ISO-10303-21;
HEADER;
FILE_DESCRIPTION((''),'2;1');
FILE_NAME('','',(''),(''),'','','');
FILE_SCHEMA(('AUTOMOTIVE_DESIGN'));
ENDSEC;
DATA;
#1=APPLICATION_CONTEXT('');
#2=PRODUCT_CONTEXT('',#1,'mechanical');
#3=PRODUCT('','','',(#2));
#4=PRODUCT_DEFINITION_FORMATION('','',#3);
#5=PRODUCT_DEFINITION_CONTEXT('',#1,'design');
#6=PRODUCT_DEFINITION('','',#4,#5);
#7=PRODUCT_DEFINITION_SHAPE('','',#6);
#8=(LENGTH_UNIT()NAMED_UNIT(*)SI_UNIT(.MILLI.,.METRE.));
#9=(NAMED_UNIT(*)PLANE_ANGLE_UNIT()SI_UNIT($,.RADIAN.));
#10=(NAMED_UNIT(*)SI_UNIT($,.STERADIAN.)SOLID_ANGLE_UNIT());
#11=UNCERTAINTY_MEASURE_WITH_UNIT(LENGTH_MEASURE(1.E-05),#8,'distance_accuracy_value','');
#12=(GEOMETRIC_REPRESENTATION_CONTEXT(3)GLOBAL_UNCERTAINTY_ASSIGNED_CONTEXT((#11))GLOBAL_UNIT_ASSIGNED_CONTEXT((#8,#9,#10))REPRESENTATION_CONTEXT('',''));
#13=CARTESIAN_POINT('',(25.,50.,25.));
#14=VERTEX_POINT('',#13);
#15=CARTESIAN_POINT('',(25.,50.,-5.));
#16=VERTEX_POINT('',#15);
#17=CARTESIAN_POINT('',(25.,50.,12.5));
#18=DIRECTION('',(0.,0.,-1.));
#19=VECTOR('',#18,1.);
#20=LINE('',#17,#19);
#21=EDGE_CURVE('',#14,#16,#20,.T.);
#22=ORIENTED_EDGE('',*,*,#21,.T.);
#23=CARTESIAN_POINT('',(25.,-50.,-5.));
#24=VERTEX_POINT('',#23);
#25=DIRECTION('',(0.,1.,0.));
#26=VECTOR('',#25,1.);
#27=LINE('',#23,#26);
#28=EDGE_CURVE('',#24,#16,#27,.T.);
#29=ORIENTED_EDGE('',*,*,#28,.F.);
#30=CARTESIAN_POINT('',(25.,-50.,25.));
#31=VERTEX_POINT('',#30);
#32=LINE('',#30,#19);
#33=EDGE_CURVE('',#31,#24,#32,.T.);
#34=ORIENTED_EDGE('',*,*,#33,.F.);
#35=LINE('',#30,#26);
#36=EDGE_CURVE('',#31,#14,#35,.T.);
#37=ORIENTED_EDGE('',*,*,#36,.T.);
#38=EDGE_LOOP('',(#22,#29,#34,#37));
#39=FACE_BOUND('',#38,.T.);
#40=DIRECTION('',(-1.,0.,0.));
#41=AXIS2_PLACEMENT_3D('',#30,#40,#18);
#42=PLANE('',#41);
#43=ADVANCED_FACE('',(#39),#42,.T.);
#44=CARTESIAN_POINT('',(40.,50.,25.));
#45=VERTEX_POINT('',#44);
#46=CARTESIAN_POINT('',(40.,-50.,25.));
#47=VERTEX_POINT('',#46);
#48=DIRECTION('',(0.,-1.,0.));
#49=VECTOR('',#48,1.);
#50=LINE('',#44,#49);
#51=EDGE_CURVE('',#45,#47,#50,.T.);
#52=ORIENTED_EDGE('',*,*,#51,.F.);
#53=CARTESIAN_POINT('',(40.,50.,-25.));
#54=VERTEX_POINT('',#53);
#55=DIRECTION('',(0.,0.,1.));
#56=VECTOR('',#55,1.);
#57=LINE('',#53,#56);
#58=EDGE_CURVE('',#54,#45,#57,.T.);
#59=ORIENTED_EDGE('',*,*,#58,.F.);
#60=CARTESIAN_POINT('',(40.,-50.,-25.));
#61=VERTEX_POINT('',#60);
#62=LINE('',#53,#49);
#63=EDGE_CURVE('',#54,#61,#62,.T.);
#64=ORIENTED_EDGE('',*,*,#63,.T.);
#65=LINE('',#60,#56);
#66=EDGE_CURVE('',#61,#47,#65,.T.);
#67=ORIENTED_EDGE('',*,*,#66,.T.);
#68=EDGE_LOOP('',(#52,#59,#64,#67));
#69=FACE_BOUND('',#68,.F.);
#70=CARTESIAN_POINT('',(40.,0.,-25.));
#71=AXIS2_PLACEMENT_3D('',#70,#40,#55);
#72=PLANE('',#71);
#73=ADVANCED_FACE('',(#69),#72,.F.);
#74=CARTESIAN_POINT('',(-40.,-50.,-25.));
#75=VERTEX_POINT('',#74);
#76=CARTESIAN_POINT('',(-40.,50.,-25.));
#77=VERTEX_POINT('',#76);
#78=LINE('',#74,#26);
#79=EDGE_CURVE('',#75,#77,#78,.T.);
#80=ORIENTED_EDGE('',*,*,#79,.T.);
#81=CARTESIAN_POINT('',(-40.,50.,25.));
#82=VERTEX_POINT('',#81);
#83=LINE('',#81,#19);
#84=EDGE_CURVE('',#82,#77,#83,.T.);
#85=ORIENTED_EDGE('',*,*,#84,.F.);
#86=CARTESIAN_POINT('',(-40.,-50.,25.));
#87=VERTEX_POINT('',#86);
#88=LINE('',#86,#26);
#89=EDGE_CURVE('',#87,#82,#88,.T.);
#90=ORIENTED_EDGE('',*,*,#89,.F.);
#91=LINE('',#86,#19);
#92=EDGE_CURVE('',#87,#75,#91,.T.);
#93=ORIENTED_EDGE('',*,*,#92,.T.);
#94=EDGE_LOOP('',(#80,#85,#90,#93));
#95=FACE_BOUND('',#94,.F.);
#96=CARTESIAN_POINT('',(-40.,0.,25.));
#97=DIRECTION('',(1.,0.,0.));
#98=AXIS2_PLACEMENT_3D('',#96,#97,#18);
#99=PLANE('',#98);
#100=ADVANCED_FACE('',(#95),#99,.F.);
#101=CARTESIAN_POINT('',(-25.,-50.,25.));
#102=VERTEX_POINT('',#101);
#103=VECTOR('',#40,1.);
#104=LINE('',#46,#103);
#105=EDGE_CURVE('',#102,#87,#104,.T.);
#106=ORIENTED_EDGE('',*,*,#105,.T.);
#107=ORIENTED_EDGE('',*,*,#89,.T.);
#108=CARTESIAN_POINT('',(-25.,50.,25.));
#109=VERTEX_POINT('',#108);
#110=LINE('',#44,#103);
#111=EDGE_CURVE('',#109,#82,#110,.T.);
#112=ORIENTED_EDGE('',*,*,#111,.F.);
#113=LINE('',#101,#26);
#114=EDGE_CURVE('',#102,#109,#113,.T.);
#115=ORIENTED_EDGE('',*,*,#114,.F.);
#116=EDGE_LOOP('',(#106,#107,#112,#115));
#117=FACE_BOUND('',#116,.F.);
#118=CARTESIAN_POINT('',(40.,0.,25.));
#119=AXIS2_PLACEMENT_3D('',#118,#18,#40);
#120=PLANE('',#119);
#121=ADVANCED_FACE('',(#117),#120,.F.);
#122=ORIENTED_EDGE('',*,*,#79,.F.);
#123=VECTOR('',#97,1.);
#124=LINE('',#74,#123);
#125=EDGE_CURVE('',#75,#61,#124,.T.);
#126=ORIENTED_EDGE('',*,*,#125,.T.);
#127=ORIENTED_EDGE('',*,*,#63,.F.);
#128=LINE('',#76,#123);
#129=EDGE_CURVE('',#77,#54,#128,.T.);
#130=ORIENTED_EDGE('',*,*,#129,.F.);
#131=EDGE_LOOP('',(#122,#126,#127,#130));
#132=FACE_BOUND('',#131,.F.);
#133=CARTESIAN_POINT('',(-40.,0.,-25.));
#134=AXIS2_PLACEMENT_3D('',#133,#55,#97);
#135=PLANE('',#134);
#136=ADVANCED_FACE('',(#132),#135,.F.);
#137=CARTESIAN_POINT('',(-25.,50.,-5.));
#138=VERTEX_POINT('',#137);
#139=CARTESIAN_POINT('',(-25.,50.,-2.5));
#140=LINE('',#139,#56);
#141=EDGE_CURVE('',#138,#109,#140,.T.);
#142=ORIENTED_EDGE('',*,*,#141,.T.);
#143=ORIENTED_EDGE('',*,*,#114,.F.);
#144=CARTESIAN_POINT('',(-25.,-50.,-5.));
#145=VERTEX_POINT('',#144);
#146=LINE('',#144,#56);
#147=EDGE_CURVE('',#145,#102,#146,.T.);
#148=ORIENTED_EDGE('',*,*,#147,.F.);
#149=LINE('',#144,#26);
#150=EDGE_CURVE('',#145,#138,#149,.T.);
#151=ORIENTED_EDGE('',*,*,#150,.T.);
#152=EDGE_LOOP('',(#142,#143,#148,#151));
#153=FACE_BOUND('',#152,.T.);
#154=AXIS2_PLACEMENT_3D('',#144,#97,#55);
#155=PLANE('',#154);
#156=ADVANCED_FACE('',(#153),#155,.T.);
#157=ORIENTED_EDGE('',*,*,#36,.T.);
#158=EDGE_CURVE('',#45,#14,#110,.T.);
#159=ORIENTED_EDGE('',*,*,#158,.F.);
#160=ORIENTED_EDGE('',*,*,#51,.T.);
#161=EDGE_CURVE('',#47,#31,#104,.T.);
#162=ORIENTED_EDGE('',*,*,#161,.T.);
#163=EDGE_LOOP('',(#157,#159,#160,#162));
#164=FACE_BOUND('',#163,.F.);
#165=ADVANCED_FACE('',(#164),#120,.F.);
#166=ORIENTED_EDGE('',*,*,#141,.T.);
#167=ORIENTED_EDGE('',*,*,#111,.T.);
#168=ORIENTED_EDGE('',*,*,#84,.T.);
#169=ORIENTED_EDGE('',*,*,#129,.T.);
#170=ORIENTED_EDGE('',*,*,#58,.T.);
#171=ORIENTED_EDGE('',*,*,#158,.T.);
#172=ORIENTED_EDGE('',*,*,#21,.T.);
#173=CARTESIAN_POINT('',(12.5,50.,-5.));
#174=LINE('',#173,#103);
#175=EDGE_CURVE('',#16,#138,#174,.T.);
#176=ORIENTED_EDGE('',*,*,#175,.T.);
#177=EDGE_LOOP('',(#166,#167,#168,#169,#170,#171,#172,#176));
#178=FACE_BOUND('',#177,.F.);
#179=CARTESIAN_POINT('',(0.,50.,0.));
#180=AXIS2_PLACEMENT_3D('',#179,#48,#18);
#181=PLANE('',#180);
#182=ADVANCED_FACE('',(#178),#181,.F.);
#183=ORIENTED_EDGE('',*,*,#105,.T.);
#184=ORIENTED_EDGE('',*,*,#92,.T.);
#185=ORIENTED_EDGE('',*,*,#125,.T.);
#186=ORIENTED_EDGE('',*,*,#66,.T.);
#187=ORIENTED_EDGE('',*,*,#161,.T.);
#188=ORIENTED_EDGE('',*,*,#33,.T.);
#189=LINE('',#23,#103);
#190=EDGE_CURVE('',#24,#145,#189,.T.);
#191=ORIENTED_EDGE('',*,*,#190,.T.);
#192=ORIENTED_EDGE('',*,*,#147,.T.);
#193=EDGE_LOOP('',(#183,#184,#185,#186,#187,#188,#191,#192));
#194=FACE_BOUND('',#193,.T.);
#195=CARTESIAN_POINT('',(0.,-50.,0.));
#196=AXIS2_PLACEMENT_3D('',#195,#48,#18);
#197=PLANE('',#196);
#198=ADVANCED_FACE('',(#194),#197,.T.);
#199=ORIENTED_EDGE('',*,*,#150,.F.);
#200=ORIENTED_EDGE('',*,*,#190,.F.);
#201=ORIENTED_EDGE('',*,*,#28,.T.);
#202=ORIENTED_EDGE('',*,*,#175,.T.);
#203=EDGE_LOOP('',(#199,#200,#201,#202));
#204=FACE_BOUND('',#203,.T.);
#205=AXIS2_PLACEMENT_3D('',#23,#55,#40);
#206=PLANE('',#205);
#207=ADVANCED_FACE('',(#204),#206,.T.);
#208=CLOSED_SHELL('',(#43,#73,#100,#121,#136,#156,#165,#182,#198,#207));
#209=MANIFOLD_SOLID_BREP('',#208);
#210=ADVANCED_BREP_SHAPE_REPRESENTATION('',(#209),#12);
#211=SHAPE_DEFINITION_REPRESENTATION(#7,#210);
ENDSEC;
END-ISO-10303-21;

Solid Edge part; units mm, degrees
sketch "Sketch1" plane through (0, 0, 0) normal (0, -1, 0) x (1, 0, 0)
  line L0 (-40, -25) -> (40, -25)
  line L1 (40, -25) -> (40, 25)
  line L2 (40, 25) -> (-40, 25)
  line L3 (-40, 25) -> (-40, -25)
  dimension "D1" = 80
  dimension "D2" = 50
extrude "Protrusion1" add sketch "Sketch1" along normal mid plane 100
sketch "Sketch2" plane through (0, -50, 0) normal (0, -1, 0) x (1, 0, 0)
  line L0 (-25, 25) -> (25, 25)
  line L1 (25, 25) -> (25, -5)
  line L2 (25, -5) -> (-25, -5)
  line L3 (-25, -5) -> (-25, 25)
  dimension "D1" = 50
  dimension "D2" = 30
extrude "Cutout1" cut sketch "Sketch2" against normal through all
properties material "알루미늄, 1060"
